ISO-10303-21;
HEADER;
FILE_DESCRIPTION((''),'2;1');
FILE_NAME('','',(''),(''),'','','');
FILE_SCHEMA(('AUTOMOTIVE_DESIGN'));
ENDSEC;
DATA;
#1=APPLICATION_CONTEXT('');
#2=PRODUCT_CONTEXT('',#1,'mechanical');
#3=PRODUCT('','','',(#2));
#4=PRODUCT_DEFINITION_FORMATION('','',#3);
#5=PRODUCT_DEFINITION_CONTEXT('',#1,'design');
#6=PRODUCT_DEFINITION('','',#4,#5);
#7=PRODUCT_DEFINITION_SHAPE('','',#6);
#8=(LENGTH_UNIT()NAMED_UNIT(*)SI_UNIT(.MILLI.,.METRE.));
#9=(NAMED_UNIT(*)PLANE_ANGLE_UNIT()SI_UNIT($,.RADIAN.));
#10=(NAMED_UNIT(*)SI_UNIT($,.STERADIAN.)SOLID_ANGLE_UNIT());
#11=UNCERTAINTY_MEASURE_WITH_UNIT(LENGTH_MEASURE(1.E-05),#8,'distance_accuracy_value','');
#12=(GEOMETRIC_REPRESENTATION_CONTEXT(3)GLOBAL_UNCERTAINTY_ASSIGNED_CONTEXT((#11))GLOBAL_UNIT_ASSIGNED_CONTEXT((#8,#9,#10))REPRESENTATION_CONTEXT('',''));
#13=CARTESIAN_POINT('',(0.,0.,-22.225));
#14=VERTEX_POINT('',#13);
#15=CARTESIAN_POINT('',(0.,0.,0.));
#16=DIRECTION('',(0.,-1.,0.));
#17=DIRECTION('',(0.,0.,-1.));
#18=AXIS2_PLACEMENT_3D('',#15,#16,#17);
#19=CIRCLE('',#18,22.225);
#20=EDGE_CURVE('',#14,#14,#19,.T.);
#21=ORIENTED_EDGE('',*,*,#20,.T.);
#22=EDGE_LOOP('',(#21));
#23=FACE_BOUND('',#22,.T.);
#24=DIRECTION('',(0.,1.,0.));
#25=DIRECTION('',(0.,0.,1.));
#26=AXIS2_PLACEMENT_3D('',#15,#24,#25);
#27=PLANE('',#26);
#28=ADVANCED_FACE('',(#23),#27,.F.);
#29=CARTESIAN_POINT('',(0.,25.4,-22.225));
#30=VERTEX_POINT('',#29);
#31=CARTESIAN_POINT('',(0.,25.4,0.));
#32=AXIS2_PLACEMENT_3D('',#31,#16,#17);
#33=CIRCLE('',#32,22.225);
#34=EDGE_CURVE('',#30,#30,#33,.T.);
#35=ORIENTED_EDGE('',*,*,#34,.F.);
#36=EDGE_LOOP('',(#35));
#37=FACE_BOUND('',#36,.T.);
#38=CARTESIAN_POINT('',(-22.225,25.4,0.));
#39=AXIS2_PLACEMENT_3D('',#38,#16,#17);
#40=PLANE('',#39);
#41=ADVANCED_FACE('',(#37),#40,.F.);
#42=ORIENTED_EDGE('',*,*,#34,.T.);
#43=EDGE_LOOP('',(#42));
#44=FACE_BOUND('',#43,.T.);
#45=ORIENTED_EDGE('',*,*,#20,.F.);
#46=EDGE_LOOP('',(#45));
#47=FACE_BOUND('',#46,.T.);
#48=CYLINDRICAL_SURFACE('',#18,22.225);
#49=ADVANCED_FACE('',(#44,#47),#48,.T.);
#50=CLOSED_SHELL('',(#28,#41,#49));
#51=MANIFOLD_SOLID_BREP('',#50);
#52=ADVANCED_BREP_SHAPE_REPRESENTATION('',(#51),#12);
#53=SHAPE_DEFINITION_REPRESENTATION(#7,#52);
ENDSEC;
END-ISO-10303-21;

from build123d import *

# Parameters (mm, degrees)
SKETCH2_W = 22.225
SKETCH2_H = 25.4


with BuildPart() as part:
    # Sketch2 → Body (revolve)
    with BuildSketch(Plane.XY, mode=Mode.PRIVATE) as body_sk:
        with Locations((-11.1125, 12.7)):
            Rectangle(SKETCH2_W, SKETCH2_H)
    revolve(body_sk.sketch.rotate(Axis((0, 0, 0), (0, 1, 0)), 270), axis=Axis((0, 0, 0), (0, 1, 0)))


solid = part.part
